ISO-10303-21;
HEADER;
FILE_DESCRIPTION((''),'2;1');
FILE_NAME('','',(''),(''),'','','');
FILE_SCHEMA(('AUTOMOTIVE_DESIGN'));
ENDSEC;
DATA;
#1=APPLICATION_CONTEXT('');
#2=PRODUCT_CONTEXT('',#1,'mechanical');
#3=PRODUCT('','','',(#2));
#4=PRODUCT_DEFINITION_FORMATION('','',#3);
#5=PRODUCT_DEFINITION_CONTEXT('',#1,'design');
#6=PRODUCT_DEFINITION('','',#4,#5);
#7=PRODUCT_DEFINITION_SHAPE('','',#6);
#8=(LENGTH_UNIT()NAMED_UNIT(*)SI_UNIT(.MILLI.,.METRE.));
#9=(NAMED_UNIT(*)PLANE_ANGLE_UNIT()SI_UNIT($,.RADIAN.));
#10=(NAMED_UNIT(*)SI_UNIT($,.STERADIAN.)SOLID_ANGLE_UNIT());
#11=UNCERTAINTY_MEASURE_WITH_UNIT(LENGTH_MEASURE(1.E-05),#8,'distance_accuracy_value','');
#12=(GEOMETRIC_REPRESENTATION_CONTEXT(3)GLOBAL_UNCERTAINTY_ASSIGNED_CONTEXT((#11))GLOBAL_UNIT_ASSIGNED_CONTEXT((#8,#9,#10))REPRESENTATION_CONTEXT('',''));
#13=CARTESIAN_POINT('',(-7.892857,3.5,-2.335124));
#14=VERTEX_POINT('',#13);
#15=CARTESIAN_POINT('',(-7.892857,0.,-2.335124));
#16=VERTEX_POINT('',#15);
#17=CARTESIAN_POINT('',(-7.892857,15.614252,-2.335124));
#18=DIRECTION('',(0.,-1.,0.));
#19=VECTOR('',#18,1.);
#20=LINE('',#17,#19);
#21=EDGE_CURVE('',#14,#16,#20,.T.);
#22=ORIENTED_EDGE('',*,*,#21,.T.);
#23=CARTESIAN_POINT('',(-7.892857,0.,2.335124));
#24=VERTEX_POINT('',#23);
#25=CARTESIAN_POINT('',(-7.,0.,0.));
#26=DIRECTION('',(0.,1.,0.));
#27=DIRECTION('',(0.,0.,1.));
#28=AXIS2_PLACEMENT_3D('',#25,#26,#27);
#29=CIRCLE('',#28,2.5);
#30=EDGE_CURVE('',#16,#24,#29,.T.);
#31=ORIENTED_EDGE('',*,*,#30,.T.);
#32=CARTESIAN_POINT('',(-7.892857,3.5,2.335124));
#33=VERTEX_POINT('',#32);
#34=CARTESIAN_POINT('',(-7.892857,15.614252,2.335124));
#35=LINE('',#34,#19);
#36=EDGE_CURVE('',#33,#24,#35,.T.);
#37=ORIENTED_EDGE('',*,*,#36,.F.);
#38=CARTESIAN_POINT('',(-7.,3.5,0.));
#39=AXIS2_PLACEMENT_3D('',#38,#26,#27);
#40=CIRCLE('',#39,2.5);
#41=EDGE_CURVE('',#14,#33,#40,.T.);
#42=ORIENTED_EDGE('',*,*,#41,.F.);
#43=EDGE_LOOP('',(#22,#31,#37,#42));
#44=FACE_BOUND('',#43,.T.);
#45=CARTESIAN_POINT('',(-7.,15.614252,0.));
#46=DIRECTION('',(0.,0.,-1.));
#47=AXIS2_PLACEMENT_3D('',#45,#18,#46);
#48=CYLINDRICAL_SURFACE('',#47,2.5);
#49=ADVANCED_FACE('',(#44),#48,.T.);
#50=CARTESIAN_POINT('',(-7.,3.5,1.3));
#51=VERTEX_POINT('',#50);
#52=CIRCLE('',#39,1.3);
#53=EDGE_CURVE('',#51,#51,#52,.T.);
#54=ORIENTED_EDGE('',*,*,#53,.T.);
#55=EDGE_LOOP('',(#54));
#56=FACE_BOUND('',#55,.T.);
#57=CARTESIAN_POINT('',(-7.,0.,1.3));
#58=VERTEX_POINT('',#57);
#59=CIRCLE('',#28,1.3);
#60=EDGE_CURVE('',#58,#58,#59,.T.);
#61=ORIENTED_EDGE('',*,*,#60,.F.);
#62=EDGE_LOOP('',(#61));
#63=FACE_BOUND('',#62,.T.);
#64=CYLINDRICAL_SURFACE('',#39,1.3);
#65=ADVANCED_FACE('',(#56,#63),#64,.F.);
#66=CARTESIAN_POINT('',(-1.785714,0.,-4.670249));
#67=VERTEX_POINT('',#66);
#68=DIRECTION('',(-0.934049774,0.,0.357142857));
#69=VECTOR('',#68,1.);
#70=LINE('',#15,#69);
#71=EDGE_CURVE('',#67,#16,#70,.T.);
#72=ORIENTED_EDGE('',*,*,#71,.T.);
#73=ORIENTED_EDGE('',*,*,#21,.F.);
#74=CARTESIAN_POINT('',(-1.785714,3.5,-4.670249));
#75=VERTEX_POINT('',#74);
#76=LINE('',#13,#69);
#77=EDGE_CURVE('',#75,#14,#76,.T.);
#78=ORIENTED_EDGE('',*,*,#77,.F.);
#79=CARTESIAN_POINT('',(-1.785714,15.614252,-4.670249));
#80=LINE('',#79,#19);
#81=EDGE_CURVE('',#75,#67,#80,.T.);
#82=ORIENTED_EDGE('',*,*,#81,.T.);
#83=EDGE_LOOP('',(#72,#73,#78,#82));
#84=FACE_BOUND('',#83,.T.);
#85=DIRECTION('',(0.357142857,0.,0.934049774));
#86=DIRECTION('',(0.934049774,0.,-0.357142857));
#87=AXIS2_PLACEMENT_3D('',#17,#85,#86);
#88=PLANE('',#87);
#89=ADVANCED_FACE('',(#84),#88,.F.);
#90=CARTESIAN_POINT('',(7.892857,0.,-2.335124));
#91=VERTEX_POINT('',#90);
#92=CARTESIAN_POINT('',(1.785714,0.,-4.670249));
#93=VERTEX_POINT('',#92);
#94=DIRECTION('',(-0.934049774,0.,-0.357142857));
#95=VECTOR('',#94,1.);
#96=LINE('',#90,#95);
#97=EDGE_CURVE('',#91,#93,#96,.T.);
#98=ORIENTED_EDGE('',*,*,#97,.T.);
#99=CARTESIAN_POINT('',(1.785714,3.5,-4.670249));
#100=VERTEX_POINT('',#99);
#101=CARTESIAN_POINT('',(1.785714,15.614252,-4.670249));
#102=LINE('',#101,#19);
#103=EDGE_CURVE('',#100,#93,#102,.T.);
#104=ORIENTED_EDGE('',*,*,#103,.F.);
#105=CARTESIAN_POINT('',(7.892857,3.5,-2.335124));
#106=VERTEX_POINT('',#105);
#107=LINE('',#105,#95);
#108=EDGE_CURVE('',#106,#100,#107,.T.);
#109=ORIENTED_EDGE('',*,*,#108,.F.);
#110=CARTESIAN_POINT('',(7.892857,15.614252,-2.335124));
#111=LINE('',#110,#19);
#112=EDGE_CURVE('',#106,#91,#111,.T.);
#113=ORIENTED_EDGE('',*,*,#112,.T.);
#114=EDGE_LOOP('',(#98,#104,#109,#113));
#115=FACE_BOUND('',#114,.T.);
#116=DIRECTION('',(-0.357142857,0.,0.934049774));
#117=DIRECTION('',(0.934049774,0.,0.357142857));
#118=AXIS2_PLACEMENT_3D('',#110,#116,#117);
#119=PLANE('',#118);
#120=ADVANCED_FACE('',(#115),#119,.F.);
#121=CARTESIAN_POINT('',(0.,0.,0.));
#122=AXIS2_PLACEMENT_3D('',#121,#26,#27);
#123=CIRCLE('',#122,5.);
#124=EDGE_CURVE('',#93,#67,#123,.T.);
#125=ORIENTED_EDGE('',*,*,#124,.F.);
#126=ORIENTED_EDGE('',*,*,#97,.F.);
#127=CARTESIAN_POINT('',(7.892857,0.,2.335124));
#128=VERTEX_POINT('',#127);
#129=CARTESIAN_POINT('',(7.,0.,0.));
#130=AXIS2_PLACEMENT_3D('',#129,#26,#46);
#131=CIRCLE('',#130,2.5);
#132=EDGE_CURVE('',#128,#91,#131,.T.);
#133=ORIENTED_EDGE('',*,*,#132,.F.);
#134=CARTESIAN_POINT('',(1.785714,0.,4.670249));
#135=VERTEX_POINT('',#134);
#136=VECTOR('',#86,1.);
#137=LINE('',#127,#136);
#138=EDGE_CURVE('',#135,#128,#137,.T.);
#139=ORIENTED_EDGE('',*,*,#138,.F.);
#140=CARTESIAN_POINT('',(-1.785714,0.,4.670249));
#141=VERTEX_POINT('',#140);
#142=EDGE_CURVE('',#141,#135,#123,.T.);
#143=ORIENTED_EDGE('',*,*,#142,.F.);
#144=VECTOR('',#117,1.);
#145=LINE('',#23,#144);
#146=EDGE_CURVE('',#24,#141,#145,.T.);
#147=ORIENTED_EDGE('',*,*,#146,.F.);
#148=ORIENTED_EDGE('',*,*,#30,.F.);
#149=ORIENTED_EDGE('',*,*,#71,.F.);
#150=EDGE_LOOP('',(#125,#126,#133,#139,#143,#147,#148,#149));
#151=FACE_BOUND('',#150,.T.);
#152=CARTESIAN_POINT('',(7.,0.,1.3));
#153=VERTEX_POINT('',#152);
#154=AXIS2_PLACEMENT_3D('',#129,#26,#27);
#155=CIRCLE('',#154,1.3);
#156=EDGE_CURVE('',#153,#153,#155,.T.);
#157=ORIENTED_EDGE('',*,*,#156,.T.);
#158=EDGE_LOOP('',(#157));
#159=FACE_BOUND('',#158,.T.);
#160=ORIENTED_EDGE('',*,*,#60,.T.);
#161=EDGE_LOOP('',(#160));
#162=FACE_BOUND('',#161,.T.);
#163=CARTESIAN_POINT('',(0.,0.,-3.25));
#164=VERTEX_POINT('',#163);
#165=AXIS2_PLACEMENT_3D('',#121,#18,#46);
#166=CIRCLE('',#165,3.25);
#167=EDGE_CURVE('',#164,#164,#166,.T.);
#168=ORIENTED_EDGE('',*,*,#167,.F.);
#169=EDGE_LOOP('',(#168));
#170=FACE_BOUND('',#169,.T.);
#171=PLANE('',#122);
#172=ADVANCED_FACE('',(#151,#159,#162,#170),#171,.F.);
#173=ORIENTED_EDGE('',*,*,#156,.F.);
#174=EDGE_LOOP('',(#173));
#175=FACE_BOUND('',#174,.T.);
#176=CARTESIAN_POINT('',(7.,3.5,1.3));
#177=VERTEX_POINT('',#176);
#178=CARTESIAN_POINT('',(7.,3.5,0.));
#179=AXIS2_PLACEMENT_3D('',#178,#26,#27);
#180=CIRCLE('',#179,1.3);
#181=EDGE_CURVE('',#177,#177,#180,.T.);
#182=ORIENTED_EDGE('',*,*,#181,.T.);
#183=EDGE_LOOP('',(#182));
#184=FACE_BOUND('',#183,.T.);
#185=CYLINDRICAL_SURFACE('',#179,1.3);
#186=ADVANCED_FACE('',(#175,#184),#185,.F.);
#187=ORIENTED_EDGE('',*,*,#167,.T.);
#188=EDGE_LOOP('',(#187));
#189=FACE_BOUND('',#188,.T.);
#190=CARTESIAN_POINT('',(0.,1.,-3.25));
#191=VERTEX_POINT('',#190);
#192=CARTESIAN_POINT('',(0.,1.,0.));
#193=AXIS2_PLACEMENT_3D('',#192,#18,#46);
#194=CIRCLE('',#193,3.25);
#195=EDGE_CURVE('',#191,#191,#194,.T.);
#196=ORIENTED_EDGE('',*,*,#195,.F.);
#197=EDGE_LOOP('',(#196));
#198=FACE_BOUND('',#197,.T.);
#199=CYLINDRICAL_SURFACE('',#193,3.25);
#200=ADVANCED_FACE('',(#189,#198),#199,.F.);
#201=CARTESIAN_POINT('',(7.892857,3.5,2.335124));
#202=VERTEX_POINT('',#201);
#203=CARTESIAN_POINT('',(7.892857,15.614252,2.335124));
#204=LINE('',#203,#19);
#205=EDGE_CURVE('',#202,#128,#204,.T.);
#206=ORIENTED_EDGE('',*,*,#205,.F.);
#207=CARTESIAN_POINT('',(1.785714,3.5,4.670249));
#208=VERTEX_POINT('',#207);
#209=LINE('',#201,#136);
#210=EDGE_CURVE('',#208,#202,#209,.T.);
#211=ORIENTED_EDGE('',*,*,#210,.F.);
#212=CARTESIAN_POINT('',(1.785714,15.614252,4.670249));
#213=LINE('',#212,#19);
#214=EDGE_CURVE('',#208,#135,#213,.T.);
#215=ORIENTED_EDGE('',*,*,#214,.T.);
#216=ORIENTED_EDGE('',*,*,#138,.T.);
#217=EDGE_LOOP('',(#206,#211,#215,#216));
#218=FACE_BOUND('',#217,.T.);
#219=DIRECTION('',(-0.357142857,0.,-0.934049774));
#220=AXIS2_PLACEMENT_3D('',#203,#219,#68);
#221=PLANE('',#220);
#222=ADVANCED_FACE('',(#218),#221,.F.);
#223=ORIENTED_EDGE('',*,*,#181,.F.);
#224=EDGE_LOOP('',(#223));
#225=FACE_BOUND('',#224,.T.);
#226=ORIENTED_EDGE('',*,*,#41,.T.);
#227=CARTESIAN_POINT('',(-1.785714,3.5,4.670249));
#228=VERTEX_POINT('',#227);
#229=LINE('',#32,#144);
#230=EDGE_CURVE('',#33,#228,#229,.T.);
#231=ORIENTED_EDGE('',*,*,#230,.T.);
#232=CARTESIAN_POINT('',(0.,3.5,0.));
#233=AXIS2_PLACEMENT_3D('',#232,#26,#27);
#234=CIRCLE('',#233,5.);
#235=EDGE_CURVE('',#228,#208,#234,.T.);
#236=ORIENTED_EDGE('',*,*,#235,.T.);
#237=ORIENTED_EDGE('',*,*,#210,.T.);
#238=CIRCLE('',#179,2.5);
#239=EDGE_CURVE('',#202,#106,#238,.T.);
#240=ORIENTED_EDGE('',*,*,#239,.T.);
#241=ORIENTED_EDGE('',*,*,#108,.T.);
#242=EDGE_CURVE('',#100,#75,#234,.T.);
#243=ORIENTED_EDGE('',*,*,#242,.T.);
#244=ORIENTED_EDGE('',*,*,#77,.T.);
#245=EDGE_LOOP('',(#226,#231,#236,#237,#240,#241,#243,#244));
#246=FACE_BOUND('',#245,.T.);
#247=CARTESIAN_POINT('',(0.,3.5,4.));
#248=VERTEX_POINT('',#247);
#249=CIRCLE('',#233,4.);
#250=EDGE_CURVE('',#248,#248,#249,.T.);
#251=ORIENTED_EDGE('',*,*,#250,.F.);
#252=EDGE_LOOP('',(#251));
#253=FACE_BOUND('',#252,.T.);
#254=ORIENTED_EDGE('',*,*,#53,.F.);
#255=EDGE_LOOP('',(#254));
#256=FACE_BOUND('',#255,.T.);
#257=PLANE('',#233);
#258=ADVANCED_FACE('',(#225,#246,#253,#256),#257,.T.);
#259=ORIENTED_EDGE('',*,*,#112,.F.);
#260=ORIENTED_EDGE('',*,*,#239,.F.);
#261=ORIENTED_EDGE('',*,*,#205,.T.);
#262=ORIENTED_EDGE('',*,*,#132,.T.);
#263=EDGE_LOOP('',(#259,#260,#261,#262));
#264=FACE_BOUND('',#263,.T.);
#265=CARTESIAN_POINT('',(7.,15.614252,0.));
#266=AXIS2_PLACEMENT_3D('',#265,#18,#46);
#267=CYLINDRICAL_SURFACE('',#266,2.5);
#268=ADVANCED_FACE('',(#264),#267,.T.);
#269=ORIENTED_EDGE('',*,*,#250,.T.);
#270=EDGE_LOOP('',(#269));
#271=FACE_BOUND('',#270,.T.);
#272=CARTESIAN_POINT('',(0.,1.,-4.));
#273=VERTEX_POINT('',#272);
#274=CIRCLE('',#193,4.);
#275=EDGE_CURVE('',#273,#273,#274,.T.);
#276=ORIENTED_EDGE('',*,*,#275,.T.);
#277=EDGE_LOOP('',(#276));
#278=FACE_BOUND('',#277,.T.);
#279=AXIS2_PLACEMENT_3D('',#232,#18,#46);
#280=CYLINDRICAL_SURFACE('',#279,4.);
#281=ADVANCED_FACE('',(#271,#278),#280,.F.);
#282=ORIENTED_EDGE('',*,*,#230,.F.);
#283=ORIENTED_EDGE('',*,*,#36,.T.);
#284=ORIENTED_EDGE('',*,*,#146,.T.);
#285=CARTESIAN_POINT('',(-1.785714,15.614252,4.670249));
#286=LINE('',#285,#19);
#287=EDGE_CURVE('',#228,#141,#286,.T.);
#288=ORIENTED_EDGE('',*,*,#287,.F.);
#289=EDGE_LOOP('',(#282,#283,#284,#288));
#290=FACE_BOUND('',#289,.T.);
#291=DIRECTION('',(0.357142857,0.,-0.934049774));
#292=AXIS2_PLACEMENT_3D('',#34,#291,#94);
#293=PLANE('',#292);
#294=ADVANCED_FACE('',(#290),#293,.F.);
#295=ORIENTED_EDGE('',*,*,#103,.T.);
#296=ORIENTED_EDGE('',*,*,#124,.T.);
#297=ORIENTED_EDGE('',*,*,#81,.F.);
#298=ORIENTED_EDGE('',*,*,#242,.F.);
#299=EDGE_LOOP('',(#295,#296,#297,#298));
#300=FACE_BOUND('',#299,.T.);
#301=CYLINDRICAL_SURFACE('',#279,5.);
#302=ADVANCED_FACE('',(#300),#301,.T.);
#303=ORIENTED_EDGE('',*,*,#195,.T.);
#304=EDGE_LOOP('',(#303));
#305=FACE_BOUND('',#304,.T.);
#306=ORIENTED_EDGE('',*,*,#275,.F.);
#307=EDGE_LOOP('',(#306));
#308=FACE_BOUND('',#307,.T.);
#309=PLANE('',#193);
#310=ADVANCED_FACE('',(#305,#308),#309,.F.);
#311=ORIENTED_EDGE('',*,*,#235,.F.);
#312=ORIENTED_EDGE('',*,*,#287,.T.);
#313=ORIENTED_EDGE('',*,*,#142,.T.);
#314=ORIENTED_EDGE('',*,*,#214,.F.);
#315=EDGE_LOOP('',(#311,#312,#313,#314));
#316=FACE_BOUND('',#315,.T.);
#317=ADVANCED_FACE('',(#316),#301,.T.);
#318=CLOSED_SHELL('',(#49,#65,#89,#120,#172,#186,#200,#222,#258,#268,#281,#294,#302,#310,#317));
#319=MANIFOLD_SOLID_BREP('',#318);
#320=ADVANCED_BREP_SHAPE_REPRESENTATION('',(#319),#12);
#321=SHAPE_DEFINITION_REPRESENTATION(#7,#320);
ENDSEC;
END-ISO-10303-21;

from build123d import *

# Parameters (mm, degrees)
SKETCH1_R            = 5
SKETCH1_R_2          = 4
BOSS_EXTRUDE1_DEPTH  = 3.5
BOSS_EXTRUDE2_DEPTH  = 3.5
M2_CLEARANCE_HOLE1_D = 2.6
SKETCH6_R            = 4
SKETCH6_R_2          = 3.25
BOSS_EXTRUDE4_DEPTH  = 1


with BuildPart() as part:
    # Sketch1 → Boss-Extrude1 (new body)
    with BuildSketch(Plane(origin=(0, 0, 0), x_dir=(1, 0, 0), z_dir=(0, 1, 0))):
        with Locations(Location((0, 0, 0), (0, 0, 270))):
            Circle(SKETCH1_R)
        with Locations(Location((0, 0, 0), (0, 0, 270))):
            Circle(SKETCH1_R_2, mode=Mode.SUBTRACT)
    extrude(amount=BOSS_EXTRUDE1_DEPTH)

    # Sketch2 → Boss-Extrude2 (add)
    with BuildSketch(Plane(origin=(0, 0, 0), x_dir=(1, 0, 0), z_dir=(0, 1, 0))):
        with BuildLine():
            Line((-7.892857143, 2.335124434), (-1.785714286, 4.670248868))
            ThreePointArc((-1.785714286, 4.670248868), (-5, 0), (-1.785714286, -4.670248868))
            Line((-1.785714286, -4.670248868), (-7.892857143, -2.335124434))
            ThreePointArc((-7.892857143, -2.335124434), (-9.5, 0), (-7.892857143, 2.335124434))
        make_face()
        with BuildLine():
            Line((7.892857143, -2.335124434), (1.785714286, -4.670248868))
            ThreePointArc((1.785714286, -4.670248868), (5, 0), (1.785714286, 4.670248868))
            Line((1.785714286, 4.670248868), (7.892857143, 2.335124434))
            ThreePointArc((7.892857143, 2.335124434), (9.5, 0), (7.892857143, -2.335124434))
        make_face()
    extrude(amount=BOSS_EXTRUDE2_DEPTH)

    # M2 Clearance Hole1 (through all)
    with Locations(Plane(origin=(0, 3.5, 0), x_dir=(1, 0, 0), z_dir=(0, 1, 0))):
        with Locations((-7, 0), (7, 0)):
            Hole(M2_CLEARANCE_HOLE1_D / 2)

    # Sketch6 → Boss-Extrude4 (add)
    with BuildSketch(Plane.XZ):
        with Locations(Location((0, 0, 0), (0, 0, 270))):
            Circle(SKETCH6_R)
        with Locations(Location((0, 0, 0), (0, 0, 270))):
            Circle(SKETCH6_R_2, mode=Mode.SUBTRACT)
    extrude(amount=-BOSS_EXTRUDE4_DEPTH)


solid = part.part
